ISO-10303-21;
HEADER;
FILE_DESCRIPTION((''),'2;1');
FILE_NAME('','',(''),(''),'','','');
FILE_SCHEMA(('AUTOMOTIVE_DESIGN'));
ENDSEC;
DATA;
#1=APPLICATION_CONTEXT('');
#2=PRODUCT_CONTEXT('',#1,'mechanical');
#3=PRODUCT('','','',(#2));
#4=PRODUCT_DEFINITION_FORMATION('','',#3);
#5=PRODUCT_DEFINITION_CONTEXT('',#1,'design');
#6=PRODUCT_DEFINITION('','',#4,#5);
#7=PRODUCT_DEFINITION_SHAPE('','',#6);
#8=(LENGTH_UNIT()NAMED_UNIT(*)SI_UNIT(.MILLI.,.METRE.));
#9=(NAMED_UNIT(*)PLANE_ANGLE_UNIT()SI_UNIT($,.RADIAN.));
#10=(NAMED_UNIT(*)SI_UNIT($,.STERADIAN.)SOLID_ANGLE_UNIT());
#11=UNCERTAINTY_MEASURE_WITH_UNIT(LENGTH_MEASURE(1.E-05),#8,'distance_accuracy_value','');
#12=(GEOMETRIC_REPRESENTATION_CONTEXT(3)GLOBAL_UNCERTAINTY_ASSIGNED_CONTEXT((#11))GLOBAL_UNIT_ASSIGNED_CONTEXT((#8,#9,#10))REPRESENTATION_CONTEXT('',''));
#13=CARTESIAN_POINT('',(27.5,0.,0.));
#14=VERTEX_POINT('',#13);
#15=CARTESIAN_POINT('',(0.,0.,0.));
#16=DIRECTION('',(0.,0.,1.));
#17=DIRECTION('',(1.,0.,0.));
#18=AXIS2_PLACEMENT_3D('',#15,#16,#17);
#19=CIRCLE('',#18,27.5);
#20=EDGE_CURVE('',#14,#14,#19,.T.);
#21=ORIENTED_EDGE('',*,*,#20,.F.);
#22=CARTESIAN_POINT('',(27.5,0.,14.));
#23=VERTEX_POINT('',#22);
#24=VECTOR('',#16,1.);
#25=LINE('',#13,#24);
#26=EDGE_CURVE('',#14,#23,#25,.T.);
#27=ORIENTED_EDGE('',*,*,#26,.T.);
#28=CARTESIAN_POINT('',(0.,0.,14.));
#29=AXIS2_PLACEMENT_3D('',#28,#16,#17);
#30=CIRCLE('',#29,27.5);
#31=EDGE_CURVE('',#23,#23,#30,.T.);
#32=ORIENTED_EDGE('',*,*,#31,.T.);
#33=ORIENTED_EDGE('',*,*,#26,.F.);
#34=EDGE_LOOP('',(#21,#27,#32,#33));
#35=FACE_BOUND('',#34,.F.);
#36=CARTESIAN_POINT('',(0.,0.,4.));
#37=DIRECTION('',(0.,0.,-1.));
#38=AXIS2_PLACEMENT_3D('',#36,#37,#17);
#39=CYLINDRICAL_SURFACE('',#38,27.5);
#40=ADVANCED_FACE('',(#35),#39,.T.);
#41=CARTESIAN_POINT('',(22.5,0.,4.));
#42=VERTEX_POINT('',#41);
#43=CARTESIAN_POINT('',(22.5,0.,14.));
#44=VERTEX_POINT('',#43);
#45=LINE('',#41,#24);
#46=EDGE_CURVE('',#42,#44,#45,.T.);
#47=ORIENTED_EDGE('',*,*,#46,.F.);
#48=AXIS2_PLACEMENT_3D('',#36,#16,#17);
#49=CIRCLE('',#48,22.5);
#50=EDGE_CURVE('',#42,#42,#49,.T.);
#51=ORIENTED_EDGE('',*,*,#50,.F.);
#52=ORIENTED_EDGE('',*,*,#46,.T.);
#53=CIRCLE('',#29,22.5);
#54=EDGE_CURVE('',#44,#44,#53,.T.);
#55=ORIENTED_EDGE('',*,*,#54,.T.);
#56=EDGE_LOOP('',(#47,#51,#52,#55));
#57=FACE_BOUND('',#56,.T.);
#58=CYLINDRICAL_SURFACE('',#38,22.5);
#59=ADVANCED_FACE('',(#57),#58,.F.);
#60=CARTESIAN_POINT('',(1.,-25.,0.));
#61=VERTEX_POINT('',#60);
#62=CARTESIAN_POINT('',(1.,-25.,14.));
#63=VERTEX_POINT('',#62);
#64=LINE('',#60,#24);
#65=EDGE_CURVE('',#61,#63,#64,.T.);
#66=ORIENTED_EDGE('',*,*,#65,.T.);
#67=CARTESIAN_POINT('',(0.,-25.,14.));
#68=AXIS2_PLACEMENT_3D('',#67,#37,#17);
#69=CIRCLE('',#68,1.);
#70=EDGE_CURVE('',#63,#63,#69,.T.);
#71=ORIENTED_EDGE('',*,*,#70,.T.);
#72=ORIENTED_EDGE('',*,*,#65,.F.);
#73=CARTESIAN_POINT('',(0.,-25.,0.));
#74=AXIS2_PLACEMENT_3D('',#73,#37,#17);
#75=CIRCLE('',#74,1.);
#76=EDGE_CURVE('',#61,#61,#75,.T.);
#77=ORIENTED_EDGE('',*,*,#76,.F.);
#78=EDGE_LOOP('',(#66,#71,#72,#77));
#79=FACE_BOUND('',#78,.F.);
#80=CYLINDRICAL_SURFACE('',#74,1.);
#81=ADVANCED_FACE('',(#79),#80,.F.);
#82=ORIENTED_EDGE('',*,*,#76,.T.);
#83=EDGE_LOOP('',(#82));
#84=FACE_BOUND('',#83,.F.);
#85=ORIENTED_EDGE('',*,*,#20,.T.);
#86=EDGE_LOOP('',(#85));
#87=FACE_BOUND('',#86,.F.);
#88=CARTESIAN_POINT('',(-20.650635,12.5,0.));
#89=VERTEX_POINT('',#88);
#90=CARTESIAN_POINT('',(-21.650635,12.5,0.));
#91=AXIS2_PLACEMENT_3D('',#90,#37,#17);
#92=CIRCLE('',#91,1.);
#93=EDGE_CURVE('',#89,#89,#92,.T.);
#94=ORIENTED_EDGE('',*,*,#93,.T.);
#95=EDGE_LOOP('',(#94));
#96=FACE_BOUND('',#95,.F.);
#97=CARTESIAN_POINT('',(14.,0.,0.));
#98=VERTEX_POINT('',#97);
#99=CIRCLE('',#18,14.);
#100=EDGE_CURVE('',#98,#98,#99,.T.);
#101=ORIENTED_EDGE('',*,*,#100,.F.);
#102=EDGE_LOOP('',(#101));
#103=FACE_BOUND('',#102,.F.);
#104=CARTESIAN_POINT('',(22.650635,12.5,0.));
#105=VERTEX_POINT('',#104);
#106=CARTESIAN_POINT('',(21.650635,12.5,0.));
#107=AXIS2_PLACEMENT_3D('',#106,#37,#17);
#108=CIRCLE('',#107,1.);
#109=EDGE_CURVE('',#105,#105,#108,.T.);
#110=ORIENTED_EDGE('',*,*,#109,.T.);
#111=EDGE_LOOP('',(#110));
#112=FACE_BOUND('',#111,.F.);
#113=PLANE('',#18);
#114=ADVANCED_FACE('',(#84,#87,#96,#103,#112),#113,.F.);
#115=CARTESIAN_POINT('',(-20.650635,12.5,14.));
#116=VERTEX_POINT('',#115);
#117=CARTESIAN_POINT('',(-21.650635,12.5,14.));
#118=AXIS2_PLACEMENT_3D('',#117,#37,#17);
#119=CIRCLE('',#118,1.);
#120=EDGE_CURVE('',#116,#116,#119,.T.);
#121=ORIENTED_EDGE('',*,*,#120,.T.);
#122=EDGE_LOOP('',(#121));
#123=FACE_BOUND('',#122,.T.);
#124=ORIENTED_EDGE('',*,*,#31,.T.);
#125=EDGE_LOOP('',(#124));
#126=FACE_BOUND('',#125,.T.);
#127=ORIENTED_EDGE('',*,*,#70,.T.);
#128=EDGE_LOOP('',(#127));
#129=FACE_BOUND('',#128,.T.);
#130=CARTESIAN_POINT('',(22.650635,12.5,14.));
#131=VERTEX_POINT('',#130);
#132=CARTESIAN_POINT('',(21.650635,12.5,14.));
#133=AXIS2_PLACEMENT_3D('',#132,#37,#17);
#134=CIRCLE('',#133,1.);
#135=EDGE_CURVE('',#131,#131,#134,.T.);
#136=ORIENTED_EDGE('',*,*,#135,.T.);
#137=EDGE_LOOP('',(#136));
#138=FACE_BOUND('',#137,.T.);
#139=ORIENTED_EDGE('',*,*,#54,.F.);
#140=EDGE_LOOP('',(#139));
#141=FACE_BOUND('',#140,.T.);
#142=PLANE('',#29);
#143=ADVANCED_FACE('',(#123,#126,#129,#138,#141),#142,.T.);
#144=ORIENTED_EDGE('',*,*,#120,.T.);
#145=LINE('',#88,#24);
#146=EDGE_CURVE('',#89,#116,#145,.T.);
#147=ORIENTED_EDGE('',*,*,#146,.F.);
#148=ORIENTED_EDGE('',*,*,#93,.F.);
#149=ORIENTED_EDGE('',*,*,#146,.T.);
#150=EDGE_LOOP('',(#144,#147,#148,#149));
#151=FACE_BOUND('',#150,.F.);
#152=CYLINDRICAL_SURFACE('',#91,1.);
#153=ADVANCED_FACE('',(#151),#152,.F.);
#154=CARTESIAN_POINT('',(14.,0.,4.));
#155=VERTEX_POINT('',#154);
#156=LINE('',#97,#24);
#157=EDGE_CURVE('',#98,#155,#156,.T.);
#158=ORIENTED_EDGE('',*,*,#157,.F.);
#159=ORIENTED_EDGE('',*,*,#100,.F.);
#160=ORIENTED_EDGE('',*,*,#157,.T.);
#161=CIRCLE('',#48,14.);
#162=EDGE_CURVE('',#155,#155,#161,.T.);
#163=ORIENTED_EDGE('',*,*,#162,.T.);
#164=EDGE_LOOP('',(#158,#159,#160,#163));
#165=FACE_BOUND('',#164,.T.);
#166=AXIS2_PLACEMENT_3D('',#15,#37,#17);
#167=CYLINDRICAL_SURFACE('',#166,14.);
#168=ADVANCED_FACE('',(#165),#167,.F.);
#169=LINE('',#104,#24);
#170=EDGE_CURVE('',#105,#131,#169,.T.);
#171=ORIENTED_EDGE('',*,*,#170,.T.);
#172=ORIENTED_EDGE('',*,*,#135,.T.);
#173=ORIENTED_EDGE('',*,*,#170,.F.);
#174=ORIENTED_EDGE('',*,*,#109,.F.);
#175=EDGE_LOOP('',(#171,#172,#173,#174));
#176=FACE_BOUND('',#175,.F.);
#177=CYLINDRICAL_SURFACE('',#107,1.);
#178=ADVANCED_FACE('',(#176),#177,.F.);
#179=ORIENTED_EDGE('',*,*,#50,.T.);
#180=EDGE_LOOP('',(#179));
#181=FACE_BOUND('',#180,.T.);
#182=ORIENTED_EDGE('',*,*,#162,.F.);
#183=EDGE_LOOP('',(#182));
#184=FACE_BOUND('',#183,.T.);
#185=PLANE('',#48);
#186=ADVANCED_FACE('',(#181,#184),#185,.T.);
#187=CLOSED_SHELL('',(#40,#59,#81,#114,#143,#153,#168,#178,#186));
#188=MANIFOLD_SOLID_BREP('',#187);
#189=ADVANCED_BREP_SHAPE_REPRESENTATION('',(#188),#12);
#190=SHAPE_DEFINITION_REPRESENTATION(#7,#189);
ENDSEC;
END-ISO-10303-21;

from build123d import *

# Parameters (mm, degrees)
SKETCH_R      = 27.5
SKETCH_R_2    = 14
PAD_DEPTH     = 4
SKETCH005_R   = 27.5
SKETCH005_R_2 = 22.5
PAD001_DEPTH  = 10
SKETCH006_R   = 1
POCKET_DEPTH  = 14.001


with BuildPart() as part:
    # Sketch → Pad (new body)
    with BuildSketch(Plane.XY):
        Circle(SKETCH_R)
        Circle(SKETCH_R_2, mode=Mode.SUBTRACT)
    extrude(amount=PAD_DEPTH)

    # Sketch005 (on Face4 of Pad) → Pad001 (join)
    with BuildSketch(Plane.XY.offset(4)):
        Circle(SKETCH005_R)
        Circle(SKETCH005_R_2, mode=Mode.SUBTRACT)
    extrude(amount=PAD001_DEPTH)

    # Sketch006 (on Face2 of Pad001) → Pocket (cut, through all)
    with BuildSketch(Plane(origin=(0, 0, 0), x_dir=(1, 0, 0), z_dir=(0, 0, -1))):
        with Locations((0, 25)):
            Circle(SKETCH006_R)
        with Locations((-21.650635, -12.5)):
            Circle(SKETCH006_R)
        with Locations((21.650635, -12.5)):
            Circle(SKETCH006_R)
    extrude(amount=-POCKET_DEPTH, mode=Mode.SUBTRACT)


solid = part.part
